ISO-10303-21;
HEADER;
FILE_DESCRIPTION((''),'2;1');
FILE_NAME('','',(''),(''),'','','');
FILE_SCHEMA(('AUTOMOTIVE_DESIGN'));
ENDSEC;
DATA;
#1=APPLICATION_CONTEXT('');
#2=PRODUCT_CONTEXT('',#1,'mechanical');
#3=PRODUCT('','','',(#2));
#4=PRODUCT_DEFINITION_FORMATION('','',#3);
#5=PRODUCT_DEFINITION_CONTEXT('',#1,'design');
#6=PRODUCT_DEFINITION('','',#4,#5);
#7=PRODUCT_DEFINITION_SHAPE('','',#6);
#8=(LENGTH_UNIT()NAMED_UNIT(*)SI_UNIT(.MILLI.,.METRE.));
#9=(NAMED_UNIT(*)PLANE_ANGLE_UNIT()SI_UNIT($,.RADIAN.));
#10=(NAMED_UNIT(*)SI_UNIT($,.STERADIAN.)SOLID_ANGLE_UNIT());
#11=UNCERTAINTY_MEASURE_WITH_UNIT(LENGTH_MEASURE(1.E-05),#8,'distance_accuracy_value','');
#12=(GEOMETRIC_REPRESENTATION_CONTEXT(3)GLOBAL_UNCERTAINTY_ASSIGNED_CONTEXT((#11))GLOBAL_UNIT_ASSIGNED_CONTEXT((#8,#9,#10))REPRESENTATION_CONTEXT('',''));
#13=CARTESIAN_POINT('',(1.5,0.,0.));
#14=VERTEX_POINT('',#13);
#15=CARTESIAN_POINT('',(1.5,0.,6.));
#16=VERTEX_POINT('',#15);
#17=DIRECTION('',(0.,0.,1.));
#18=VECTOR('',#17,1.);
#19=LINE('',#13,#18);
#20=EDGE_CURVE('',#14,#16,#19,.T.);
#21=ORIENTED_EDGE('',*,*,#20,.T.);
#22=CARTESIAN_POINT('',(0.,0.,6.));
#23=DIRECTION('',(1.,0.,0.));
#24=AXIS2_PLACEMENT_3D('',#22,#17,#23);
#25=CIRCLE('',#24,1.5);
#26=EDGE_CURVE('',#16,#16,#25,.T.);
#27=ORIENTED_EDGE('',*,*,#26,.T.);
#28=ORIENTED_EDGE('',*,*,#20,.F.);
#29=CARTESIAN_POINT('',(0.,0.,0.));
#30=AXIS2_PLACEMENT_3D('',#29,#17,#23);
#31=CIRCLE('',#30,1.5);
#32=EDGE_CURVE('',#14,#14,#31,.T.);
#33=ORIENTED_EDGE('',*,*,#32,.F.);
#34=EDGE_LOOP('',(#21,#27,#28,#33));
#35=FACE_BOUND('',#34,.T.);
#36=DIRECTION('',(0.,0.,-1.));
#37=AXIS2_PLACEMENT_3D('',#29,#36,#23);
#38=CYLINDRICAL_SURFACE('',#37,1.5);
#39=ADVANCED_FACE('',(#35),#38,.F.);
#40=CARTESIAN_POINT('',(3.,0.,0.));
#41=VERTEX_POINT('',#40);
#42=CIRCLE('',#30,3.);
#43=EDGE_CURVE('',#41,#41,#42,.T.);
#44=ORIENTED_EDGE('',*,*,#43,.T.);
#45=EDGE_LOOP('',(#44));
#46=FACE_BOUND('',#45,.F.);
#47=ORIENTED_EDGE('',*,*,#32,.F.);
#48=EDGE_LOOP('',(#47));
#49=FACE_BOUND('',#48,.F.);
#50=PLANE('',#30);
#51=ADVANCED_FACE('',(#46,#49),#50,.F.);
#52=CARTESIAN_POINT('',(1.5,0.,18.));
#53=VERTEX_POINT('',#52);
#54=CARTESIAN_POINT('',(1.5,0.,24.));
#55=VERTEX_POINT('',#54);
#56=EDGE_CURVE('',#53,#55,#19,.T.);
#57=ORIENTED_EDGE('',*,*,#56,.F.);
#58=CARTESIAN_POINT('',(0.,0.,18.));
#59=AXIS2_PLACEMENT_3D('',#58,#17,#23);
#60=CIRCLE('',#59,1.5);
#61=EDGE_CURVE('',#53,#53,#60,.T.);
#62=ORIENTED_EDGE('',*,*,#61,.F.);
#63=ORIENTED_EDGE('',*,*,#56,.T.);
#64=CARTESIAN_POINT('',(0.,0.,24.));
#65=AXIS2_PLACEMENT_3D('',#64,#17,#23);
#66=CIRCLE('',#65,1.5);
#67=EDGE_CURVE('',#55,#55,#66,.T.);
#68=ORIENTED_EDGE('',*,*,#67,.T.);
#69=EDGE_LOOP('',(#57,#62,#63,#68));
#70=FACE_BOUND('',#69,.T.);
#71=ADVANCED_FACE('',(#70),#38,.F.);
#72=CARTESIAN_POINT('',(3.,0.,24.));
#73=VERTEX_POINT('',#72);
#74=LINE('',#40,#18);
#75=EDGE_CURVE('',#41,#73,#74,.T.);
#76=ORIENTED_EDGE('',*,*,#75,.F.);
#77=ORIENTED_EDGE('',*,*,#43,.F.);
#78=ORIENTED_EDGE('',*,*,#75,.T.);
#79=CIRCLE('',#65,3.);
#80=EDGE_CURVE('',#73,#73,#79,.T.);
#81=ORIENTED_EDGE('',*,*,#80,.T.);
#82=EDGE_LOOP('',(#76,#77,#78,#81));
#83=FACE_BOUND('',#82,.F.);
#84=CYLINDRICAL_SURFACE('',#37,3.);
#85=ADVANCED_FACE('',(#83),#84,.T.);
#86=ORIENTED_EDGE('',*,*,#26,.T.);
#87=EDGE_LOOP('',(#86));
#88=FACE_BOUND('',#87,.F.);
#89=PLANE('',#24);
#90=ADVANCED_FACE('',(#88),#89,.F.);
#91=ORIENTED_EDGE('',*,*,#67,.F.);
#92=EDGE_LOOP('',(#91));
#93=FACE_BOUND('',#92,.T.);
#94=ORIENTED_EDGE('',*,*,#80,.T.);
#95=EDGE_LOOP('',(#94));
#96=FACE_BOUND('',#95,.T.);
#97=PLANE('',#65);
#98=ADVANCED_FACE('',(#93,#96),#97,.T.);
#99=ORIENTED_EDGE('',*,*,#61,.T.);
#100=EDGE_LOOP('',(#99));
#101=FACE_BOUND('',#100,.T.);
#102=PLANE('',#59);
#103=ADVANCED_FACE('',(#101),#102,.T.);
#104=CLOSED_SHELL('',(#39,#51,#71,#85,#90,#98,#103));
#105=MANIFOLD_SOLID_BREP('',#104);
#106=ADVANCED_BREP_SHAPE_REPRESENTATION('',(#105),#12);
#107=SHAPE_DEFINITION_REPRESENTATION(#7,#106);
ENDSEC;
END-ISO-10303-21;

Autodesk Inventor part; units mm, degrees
ref_plane "YZ Plane" through (0, 0, 0) normal (1, 0, 0) x (0, 1, 0)
ref_plane "XZ Plane" through (0, 0, 0) normal (0, 1, 0) x (-1, 0, 0)
sketch "スケッチ1" plane through (0, 0, 0) normal (0, 0, 1) x (1, 0, 0)
  circle A0 centre (0, 0) radius 3
  circle A1 centre (0, 0) radius 1.5
  dimension "d0" = 6
  dimension "d1" = 3
extrude "押し出し1" add sketch "スケッチ1" along normal blind 24
ref_plane "作業平面1" through (0, 0, 18) normal (0, 0, 1) x (1, 0, 0)
sketch "スケッチ2" plane through (0, 0, 18) normal (0, 0, 1) x (1, 0, 0)
  circle A0 centre (0, 0) radius 1.5 projected
  circle A1 centre (0, 0) radius 3 projected
extrude "押し出し2" add sketch "スケッチ2" against normal blind 12 contours A0
properties part number "スペーサーm3-24　簡易筒型" material "アルミニウム 2014-T4"
